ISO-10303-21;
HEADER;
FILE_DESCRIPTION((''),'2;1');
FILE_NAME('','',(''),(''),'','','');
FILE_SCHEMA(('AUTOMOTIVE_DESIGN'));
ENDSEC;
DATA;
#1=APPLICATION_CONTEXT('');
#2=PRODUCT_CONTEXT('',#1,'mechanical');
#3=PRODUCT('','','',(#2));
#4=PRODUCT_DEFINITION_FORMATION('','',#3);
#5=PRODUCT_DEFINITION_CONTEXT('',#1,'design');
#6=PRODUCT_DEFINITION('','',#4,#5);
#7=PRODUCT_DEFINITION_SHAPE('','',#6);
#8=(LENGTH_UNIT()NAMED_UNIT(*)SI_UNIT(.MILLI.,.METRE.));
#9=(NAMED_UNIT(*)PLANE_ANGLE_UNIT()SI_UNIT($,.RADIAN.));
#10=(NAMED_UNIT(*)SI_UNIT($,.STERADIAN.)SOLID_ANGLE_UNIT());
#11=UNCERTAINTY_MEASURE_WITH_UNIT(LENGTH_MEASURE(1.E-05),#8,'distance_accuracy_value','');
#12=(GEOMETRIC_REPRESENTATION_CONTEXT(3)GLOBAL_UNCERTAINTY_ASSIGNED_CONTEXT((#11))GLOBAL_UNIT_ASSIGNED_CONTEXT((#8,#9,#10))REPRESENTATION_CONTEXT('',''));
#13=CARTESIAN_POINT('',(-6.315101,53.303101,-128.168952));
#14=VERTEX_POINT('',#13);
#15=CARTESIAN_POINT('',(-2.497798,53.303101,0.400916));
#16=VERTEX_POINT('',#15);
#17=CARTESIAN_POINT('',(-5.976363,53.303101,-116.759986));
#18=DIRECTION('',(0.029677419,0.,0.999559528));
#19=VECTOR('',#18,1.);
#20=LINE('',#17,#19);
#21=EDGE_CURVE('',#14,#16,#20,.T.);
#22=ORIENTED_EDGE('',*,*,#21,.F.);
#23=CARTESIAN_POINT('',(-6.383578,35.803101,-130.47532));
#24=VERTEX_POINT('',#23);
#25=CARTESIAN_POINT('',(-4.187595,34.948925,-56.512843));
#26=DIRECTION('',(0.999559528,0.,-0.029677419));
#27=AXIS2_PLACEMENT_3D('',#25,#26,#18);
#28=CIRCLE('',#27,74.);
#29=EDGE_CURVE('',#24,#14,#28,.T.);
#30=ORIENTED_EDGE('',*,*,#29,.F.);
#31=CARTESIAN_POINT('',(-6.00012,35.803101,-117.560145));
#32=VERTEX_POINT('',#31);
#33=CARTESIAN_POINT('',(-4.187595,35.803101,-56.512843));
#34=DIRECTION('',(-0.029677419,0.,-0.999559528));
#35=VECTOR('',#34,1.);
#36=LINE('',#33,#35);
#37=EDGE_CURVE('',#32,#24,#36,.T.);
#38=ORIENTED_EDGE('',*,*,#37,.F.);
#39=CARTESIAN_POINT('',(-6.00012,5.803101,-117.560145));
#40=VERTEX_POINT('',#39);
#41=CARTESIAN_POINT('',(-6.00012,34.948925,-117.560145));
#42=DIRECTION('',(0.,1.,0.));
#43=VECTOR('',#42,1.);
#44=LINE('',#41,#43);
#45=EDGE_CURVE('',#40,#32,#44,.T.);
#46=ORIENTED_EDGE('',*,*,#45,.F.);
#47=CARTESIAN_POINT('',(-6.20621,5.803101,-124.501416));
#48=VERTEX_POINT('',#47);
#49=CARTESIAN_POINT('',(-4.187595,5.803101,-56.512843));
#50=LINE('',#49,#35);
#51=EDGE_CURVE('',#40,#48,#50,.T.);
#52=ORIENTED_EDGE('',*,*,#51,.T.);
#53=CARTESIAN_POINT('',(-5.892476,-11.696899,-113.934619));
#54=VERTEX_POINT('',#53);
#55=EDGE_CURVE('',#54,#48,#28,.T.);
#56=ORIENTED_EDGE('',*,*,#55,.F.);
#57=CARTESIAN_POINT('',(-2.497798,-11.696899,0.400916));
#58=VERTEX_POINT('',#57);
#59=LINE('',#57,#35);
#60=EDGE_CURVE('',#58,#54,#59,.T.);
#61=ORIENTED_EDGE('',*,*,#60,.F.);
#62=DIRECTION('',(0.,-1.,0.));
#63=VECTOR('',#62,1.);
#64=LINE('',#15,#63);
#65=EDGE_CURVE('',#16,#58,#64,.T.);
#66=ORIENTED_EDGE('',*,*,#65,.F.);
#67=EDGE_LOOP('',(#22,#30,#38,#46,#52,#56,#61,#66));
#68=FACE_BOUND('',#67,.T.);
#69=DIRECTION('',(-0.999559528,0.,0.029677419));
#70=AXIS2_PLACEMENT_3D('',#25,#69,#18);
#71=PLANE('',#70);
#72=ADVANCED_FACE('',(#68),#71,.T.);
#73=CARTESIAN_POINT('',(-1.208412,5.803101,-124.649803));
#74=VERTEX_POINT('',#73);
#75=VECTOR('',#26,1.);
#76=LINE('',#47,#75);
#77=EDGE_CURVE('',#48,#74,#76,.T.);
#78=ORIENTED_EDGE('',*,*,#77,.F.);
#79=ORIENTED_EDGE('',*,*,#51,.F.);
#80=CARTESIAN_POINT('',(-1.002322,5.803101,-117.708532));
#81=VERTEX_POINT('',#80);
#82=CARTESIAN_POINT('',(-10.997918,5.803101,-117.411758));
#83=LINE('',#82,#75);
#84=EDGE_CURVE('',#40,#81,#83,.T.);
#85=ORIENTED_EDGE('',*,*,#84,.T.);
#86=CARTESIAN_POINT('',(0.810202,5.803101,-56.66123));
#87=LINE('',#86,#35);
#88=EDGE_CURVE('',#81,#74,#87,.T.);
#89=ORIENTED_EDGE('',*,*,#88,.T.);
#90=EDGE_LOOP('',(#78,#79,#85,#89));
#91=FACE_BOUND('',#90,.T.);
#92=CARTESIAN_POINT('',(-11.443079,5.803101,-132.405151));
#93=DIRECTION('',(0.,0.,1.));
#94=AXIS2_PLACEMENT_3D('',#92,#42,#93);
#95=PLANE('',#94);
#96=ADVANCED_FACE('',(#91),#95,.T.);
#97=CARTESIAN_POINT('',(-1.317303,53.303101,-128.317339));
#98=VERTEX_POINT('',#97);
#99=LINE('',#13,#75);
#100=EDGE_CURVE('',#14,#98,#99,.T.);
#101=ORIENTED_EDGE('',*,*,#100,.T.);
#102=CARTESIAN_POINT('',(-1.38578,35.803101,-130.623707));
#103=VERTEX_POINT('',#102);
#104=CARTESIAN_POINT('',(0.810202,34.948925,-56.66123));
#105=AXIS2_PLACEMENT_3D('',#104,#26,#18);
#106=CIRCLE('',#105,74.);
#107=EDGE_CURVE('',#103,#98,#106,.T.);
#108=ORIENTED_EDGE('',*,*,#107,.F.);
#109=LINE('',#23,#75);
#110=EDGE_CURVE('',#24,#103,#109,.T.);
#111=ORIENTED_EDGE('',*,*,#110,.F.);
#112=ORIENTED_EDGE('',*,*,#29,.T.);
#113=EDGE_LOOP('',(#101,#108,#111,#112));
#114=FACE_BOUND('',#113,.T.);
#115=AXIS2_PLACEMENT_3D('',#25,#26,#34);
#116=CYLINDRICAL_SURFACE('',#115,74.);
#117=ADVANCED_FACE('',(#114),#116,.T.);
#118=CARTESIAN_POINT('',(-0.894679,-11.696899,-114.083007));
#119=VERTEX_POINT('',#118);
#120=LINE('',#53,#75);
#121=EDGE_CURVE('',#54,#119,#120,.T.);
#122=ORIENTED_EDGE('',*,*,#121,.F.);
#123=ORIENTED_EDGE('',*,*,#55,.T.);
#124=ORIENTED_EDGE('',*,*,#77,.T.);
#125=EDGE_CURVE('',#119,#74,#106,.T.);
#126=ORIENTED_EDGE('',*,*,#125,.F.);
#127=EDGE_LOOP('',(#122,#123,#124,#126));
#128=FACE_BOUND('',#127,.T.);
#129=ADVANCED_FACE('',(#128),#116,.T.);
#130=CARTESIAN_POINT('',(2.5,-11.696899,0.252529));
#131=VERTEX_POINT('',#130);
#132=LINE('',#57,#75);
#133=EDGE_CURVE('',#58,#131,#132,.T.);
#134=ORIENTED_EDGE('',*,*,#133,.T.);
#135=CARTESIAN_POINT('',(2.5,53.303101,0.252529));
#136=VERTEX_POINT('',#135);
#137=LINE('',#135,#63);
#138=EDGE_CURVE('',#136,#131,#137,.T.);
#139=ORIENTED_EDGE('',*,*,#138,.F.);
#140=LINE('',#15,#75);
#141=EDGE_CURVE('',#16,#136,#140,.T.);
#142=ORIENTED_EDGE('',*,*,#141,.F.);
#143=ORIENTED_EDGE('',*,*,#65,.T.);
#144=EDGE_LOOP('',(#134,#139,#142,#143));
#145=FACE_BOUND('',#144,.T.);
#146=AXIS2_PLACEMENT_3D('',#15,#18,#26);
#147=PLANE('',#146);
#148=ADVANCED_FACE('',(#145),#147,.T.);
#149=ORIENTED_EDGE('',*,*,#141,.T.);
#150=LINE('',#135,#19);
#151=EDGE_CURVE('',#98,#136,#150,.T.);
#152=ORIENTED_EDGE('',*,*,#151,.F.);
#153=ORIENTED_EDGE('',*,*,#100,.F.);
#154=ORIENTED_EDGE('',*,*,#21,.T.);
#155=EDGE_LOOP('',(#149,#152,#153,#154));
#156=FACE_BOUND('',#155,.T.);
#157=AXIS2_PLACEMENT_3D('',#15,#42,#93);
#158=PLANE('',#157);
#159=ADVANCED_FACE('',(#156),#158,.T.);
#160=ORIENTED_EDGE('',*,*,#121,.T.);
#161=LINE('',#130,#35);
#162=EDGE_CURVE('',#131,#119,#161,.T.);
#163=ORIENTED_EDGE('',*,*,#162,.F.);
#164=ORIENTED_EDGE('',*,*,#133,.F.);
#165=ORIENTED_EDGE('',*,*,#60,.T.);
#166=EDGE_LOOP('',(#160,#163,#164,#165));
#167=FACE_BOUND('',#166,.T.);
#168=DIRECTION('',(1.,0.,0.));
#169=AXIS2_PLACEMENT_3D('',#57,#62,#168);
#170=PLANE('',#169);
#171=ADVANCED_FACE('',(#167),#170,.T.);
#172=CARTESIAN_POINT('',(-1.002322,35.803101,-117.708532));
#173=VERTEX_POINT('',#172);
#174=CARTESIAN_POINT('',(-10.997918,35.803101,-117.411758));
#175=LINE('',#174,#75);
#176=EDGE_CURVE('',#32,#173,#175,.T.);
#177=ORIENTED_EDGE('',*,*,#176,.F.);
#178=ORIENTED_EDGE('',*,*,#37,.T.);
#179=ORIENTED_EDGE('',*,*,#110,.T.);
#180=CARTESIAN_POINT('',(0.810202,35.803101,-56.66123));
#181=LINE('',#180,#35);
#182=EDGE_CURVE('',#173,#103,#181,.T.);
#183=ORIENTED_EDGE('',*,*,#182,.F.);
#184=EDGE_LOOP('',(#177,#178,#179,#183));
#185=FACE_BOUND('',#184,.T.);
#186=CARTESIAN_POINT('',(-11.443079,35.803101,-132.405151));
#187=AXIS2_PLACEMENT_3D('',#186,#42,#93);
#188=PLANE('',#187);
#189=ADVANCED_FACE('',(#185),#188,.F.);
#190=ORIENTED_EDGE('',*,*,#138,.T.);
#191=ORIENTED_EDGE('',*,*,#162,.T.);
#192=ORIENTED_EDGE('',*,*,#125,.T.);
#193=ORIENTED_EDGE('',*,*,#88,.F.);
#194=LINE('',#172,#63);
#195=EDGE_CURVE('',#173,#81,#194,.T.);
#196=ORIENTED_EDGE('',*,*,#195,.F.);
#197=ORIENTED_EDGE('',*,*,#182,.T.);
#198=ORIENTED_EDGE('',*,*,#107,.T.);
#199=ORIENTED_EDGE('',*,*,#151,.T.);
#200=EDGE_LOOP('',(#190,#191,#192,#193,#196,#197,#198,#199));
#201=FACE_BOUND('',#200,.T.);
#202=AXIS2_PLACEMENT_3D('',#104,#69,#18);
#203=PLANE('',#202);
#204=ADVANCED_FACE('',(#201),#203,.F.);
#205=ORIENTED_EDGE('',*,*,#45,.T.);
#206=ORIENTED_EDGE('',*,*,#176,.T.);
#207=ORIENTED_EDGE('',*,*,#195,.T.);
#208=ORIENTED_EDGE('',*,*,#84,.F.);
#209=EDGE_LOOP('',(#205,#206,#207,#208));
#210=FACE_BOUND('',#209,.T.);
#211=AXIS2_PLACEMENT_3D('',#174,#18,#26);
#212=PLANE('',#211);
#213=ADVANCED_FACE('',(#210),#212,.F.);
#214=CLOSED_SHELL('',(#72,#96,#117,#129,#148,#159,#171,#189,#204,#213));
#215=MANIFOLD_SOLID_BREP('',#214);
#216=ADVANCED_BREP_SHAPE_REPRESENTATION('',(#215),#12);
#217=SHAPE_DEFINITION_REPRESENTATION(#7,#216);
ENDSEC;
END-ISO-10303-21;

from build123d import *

# Parameters (mm, degrees)
SALIENTE_EXTRUIR2_DEPTH = 5
CROQUIS3_W              = 15
CROQUIS3_H              = 30
CORTAR_EXTRUIR2_DEPTH   = 10


with BuildPart() as part:
    # Croquis2 → Saliente-Extruir2 (new body)
    with BuildSketch(Plane(origin=(2.49030702, 0, -0.073938452), x_dir=(-0.029677418771206387, 0, -0.999559528399924), z_dir=(0.999559528399924, 0, -0.029677418771206387))):
        with BuildLine():
            Line((-0.326611286, 53.303101177), (116.885919238, 53.303101177))
            Line((116.885919238, 53.303101177), (128.299912644, 53.303101177))
            ThreePointArc((128.299912644, 53.303101177), (128.897751071, 19.112162844), (114.059307952, -11.696898823))
            Line((114.059307952, -11.696898823), (-0.326611286, -11.696898823))
            Line((-0.326611286, -11.696898823), (-0.326611286, 53.303101177))
        make_face()
    extrude(amount=-SALIENTE_EXTRUIR2_DEPTH)

    # Croquis3 → Cortar-Extruir2 (cut)
    with BuildSketch(Plane(origin=(2.49030702, 0, -0.073938452), x_dir=(-0.029677418771206443, 0, -0.999559528399924), z_dir=(0.999559528399924, 0, -0.029677418771206443))):
        with Locations((125.186431424, 20.803101177)):
            Rectangle(CROQUIS3_W, CROQUIS3_H)
    extrude(amount=-CORTAR_EXTRUIR2_DEPTH, mode=Mode.SUBTRACT)


solid = part.part
